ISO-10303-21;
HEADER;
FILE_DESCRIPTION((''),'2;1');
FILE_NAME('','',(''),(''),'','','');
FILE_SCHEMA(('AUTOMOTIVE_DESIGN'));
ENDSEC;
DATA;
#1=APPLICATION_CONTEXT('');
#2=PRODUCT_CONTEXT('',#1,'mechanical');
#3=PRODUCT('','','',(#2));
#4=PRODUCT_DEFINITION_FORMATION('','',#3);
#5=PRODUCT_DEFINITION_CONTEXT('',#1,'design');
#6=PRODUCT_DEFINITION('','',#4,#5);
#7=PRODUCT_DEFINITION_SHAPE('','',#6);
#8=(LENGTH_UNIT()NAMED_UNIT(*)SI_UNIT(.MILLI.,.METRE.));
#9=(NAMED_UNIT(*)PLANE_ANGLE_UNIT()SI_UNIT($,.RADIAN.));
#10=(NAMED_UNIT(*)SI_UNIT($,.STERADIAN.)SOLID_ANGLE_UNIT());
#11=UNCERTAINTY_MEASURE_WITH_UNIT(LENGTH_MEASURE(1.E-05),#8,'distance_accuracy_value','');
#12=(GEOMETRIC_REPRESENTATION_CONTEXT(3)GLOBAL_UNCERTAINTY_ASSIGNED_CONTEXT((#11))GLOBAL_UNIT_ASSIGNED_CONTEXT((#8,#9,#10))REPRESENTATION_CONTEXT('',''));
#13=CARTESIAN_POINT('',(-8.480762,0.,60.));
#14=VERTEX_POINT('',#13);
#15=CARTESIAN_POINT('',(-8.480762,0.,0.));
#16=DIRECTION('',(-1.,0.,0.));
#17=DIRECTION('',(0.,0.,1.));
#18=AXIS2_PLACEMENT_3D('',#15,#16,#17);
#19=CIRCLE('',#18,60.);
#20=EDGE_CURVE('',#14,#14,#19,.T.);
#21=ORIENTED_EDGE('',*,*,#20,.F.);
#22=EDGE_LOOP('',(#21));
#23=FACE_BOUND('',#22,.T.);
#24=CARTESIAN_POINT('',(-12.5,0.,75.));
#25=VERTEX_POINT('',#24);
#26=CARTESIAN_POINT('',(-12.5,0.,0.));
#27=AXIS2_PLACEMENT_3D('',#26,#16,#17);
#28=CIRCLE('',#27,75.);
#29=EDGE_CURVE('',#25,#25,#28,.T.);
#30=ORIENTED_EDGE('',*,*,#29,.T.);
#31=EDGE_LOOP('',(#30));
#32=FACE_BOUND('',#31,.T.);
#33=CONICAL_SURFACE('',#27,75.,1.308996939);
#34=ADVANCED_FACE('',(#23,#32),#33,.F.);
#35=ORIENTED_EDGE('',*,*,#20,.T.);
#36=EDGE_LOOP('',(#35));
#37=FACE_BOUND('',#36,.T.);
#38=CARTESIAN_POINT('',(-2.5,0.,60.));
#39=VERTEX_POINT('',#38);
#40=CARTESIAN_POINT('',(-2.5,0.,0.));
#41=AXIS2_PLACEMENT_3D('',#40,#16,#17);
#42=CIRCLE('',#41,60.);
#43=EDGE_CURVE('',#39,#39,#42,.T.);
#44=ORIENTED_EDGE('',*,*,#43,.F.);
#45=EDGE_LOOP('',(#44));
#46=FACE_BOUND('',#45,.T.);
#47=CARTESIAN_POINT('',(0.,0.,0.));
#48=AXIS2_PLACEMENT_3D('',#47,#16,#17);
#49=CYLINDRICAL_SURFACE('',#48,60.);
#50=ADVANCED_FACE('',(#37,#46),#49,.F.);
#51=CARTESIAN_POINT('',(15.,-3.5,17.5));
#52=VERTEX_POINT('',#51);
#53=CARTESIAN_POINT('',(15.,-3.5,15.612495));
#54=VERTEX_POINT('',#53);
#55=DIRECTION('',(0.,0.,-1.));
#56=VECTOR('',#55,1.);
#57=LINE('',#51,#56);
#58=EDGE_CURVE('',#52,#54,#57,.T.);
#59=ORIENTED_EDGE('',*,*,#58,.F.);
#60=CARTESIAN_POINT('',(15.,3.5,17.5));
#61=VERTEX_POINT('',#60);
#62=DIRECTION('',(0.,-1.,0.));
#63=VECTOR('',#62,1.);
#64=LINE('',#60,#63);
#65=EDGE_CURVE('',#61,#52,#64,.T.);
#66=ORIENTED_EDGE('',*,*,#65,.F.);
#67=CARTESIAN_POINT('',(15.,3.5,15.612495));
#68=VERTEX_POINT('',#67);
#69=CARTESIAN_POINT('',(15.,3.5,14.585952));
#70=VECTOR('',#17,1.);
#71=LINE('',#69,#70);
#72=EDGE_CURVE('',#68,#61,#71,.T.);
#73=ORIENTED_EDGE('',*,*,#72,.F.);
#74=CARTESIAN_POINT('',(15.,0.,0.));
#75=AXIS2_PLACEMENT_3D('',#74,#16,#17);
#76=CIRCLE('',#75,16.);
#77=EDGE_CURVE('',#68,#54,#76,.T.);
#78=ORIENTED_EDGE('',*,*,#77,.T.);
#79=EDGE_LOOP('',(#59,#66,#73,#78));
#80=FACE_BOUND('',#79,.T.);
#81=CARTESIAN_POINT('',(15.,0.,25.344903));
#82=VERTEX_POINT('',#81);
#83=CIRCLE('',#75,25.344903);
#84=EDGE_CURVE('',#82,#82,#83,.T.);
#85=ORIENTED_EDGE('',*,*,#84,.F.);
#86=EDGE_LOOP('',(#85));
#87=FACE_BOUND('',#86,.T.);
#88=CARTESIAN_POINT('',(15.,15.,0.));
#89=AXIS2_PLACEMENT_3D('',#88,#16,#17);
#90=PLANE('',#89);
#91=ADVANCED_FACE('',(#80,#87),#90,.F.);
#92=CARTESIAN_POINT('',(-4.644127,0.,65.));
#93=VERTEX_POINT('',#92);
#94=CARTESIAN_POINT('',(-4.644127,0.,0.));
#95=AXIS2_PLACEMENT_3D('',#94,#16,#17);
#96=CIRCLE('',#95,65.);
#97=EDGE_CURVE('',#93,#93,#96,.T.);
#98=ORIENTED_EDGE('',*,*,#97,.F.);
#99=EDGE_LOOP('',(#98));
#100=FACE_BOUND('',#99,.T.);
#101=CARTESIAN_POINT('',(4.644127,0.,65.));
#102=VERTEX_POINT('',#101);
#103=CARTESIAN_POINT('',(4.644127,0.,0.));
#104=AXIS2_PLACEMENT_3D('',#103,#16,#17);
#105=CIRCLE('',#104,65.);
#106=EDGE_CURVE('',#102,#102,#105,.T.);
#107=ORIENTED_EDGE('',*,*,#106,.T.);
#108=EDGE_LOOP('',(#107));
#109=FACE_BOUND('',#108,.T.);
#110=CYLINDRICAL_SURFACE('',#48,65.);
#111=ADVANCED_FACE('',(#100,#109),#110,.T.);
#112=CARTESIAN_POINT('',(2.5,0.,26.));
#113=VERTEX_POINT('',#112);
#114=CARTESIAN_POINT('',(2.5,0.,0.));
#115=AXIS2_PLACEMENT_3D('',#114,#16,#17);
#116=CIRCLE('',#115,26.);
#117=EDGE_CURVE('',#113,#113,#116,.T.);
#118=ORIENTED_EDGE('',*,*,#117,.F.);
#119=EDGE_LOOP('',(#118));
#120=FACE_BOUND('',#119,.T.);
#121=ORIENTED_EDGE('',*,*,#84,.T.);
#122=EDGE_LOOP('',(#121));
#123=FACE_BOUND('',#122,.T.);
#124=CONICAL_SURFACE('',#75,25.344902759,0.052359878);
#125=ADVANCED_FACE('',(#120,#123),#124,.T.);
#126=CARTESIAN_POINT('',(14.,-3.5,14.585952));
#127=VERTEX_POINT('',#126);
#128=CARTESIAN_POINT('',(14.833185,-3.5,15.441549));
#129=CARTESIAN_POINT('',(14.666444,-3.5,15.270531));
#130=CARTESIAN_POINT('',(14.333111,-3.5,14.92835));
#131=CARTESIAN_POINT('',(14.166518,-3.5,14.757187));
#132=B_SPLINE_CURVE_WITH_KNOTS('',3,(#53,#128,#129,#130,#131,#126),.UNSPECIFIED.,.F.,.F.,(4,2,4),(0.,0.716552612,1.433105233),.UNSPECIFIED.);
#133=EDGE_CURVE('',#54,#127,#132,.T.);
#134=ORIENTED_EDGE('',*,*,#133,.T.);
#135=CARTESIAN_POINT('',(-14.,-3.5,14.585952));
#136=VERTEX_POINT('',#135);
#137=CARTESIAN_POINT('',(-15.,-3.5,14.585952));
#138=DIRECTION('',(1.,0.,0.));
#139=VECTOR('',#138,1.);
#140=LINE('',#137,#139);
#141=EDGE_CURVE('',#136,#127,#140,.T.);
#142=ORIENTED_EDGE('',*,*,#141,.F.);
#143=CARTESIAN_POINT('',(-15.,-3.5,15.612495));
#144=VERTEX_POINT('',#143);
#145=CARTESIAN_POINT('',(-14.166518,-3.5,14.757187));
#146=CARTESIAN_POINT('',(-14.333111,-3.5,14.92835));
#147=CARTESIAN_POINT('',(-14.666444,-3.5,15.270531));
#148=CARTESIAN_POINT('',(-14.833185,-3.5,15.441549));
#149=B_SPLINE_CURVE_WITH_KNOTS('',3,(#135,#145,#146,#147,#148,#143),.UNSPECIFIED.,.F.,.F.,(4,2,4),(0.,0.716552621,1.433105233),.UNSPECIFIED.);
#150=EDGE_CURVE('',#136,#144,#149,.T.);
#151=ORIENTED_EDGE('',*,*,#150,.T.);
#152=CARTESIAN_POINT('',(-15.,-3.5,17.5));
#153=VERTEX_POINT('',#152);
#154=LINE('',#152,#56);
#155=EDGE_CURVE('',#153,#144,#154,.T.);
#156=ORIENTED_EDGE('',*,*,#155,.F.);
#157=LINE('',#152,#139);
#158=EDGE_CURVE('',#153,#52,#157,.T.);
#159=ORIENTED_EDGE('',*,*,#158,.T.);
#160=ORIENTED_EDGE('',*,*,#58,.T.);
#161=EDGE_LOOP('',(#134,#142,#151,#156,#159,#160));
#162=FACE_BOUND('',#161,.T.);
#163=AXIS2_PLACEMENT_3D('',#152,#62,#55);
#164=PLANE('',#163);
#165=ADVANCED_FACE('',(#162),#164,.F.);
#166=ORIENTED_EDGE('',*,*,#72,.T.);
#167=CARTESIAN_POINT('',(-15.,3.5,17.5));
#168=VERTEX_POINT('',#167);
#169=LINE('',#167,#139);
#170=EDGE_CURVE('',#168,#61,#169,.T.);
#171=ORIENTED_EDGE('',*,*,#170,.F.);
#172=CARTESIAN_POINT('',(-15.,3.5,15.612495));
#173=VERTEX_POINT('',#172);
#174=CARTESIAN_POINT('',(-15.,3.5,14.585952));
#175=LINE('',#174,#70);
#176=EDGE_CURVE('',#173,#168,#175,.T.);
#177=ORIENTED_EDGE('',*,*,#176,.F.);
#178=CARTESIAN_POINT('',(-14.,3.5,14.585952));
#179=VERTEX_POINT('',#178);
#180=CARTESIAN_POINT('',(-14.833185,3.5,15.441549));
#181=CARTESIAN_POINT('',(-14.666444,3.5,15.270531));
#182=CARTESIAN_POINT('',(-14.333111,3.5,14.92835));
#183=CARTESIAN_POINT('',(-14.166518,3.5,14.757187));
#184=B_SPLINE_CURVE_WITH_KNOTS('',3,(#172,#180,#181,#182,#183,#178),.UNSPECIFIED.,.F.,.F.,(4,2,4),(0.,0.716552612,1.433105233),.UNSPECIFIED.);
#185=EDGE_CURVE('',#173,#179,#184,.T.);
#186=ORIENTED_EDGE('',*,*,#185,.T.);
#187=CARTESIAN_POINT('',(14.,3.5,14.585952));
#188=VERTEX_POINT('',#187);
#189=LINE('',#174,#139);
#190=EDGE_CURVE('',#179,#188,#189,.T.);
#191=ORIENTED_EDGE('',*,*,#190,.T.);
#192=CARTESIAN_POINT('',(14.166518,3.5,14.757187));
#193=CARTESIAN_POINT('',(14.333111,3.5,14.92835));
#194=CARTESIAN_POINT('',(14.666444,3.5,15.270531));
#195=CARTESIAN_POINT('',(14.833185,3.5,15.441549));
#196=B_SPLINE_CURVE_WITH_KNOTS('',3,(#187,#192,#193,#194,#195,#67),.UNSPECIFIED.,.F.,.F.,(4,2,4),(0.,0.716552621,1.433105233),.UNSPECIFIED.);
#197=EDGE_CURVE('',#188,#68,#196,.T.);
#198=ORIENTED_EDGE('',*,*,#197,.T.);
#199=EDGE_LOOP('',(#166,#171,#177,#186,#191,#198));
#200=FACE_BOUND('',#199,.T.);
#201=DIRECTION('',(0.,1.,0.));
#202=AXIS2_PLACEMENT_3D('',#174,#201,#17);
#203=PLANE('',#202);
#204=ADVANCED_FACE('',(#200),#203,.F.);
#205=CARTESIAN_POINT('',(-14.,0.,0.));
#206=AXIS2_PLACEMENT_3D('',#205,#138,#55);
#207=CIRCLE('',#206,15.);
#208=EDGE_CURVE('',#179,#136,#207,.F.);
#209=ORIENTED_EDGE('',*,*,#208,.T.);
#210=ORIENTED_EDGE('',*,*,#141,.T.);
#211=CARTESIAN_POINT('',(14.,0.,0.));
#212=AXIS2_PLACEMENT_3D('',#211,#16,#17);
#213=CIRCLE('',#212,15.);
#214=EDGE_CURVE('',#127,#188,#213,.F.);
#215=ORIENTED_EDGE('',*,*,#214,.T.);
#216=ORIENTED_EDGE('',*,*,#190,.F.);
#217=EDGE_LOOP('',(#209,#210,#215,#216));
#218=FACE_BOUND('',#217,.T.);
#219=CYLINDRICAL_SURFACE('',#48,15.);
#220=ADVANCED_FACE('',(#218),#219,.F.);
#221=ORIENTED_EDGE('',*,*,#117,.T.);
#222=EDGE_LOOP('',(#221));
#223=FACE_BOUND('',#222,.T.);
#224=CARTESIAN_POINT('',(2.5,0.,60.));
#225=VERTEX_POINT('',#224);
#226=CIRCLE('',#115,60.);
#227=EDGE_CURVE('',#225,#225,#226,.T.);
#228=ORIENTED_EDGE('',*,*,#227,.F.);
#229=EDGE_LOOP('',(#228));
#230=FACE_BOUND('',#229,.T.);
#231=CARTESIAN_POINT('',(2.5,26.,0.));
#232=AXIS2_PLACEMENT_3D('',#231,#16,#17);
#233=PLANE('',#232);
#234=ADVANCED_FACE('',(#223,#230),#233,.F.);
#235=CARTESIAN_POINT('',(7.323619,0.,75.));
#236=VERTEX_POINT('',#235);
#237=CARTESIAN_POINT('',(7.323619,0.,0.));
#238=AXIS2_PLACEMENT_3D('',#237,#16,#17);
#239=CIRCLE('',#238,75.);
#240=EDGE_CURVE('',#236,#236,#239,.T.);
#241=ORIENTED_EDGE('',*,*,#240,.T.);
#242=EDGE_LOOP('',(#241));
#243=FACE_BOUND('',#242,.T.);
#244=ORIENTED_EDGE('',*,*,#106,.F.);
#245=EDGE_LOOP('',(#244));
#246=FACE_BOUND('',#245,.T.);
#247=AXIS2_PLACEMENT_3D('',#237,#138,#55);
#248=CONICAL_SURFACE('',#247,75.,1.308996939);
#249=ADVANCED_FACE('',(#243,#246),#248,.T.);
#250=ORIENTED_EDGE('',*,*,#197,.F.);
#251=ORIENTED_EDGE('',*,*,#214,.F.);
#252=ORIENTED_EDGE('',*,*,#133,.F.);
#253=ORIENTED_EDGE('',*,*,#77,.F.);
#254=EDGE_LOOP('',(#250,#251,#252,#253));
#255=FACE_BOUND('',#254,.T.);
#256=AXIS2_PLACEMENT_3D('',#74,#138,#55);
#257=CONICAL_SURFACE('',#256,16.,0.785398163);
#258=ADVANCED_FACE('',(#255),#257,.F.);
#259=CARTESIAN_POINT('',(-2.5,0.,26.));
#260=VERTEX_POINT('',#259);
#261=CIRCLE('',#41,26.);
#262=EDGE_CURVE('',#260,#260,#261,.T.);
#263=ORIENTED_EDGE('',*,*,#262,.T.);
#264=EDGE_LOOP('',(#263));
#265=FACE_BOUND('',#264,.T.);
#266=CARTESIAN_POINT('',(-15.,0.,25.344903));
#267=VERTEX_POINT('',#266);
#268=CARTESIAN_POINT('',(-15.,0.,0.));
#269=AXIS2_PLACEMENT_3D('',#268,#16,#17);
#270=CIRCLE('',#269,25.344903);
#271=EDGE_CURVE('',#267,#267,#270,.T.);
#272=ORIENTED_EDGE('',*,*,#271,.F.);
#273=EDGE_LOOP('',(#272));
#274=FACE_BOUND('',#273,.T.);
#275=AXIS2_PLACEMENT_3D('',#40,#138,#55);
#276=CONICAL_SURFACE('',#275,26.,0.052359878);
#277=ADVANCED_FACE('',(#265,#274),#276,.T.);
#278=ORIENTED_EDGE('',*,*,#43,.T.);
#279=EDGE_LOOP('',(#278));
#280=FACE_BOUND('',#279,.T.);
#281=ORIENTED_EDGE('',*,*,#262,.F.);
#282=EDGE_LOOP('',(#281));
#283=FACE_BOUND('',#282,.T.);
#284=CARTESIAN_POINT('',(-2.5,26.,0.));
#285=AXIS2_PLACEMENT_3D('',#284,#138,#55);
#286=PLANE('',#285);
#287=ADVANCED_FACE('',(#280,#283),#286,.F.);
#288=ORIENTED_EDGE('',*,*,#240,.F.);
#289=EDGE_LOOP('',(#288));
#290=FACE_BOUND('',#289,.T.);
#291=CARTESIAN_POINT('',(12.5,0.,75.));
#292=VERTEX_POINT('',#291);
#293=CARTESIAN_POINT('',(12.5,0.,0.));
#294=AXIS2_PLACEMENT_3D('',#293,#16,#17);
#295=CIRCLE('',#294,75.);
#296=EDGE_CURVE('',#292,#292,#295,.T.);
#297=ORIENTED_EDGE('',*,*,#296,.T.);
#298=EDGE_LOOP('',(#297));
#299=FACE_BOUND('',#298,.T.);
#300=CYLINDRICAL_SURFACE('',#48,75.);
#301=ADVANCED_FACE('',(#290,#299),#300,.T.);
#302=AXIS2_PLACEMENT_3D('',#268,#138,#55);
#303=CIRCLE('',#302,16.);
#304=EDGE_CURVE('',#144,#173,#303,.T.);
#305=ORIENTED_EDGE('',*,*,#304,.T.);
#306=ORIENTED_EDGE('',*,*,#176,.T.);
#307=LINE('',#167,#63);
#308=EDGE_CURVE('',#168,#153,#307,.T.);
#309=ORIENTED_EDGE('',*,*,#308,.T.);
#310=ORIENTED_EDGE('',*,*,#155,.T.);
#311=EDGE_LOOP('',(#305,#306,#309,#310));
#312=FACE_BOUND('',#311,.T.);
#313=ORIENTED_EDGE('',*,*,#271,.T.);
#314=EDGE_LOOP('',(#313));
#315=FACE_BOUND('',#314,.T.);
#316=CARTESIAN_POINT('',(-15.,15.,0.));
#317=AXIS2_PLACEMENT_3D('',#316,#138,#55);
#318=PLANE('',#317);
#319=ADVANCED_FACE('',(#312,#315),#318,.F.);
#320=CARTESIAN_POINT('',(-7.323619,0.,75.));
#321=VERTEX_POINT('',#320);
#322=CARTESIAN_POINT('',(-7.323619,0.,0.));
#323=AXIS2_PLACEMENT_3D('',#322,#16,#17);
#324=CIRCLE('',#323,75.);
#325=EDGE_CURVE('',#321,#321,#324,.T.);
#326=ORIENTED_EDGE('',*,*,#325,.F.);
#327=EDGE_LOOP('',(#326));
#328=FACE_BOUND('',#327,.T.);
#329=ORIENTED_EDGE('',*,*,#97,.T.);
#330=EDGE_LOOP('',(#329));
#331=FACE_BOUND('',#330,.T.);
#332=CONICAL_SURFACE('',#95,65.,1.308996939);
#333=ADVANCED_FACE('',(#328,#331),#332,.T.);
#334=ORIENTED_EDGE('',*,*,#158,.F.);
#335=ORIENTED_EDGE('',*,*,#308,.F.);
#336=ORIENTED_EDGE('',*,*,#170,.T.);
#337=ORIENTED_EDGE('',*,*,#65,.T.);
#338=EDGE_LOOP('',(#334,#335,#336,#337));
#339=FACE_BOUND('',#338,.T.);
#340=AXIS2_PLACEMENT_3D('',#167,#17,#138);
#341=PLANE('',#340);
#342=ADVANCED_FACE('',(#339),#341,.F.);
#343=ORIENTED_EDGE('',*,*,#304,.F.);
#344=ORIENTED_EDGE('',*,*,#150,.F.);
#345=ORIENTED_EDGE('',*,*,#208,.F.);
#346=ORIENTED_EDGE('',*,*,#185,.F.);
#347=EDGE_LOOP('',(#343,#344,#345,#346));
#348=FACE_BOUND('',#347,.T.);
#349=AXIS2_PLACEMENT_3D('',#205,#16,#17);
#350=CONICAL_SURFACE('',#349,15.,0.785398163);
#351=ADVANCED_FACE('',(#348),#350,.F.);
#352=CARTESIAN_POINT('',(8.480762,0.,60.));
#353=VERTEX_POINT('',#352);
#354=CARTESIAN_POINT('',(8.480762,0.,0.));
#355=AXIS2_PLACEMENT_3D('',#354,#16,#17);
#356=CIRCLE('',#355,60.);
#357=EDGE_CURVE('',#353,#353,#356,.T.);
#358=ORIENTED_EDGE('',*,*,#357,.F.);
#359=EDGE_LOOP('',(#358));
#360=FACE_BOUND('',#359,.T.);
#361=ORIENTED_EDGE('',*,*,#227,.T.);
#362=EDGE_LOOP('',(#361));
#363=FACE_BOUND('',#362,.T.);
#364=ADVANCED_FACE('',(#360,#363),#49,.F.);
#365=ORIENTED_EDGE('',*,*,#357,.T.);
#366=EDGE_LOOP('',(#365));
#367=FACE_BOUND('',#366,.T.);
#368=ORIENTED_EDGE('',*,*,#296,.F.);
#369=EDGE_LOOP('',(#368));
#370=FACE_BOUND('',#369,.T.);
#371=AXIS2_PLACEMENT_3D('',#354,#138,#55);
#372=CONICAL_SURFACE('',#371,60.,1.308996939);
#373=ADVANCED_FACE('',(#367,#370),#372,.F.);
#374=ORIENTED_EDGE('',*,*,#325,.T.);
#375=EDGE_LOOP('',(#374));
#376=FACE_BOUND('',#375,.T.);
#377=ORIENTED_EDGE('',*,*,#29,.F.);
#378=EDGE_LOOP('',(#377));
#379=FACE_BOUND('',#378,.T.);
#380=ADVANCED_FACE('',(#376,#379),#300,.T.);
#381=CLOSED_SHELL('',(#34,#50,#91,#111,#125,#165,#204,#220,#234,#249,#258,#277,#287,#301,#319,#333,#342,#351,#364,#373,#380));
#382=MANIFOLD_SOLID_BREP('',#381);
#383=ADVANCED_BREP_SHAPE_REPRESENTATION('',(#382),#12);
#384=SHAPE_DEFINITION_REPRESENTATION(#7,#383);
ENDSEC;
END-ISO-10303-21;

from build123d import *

# Parameters (mm, degrees)
CUT_EXTRUDE1_DEPTH = 30
CHAMFER1_SIZE      = 1
CHAMFER2_SIZE      = 1


with BuildPart() as part:
    # Sketch1 → Revolve1 (revolve)
    with BuildSketch(Plane.XY, mode=Mode.PRIVATE) as revolve1_sk:
        Polygon((15, 15), (15, 25.344902759), (2.5, 26), (2.5, 60), (8.480762114, 60), (12.5, 75), (7.323619098, 75), (4.644127174, 65), (-4.644127174, 65), (-7.323619098, 75), (-12.5, 75), (-8.480762114, 60), (-2.5, 60), (-2.5, 26), (-15, 25.344902759), (-15, 15), align=None)
    revolve(revolve1_sk.sketch.rotate(Axis((0, 0, 0), (1, 0, 0)), 90), axis=Axis((0, 0, 0), (1, 0, 0)))

    # Sketch2 → Cut-Extrude1 (cut)
    with BuildSketch(Plane(origin=(15, 0, 0), x_dir=(0, 0, -1), z_dir=(1, 0, 0))):
        with BuildLine():
            Line((-14.585952146, 3.5), (-17.5, 3.5))
            Line((-17.5, 3.5), (-17.5, -3.5))
            Line((-17.5, -3.5), (-14.585952146, -3.5))
            ThreePointArc((-14.585952146, -3.5), (15, 0), (-14.585952146, 3.5))
        make_face()
    extrude(amount=-CUT_EXTRUDE1_DEPTH, mode=Mode.SUBTRACT)

    # Chamfer1
    chamfer1_edges = [part.edges().sort_by_distance(p)[0] for p in [
        (15, 0, -15),
    ]]
    chamfer(chamfer1_edges, length=CHAMFER1_SIZE)

    # Chamfer2
    chamfer2_edges = [part.edges().sort_by_distance(p)[0] for p in [
        (-15, 0, -15),
    ]]
    chamfer(chamfer2_edges, length=CHAMFER2_SIZE)


solid = part.part
